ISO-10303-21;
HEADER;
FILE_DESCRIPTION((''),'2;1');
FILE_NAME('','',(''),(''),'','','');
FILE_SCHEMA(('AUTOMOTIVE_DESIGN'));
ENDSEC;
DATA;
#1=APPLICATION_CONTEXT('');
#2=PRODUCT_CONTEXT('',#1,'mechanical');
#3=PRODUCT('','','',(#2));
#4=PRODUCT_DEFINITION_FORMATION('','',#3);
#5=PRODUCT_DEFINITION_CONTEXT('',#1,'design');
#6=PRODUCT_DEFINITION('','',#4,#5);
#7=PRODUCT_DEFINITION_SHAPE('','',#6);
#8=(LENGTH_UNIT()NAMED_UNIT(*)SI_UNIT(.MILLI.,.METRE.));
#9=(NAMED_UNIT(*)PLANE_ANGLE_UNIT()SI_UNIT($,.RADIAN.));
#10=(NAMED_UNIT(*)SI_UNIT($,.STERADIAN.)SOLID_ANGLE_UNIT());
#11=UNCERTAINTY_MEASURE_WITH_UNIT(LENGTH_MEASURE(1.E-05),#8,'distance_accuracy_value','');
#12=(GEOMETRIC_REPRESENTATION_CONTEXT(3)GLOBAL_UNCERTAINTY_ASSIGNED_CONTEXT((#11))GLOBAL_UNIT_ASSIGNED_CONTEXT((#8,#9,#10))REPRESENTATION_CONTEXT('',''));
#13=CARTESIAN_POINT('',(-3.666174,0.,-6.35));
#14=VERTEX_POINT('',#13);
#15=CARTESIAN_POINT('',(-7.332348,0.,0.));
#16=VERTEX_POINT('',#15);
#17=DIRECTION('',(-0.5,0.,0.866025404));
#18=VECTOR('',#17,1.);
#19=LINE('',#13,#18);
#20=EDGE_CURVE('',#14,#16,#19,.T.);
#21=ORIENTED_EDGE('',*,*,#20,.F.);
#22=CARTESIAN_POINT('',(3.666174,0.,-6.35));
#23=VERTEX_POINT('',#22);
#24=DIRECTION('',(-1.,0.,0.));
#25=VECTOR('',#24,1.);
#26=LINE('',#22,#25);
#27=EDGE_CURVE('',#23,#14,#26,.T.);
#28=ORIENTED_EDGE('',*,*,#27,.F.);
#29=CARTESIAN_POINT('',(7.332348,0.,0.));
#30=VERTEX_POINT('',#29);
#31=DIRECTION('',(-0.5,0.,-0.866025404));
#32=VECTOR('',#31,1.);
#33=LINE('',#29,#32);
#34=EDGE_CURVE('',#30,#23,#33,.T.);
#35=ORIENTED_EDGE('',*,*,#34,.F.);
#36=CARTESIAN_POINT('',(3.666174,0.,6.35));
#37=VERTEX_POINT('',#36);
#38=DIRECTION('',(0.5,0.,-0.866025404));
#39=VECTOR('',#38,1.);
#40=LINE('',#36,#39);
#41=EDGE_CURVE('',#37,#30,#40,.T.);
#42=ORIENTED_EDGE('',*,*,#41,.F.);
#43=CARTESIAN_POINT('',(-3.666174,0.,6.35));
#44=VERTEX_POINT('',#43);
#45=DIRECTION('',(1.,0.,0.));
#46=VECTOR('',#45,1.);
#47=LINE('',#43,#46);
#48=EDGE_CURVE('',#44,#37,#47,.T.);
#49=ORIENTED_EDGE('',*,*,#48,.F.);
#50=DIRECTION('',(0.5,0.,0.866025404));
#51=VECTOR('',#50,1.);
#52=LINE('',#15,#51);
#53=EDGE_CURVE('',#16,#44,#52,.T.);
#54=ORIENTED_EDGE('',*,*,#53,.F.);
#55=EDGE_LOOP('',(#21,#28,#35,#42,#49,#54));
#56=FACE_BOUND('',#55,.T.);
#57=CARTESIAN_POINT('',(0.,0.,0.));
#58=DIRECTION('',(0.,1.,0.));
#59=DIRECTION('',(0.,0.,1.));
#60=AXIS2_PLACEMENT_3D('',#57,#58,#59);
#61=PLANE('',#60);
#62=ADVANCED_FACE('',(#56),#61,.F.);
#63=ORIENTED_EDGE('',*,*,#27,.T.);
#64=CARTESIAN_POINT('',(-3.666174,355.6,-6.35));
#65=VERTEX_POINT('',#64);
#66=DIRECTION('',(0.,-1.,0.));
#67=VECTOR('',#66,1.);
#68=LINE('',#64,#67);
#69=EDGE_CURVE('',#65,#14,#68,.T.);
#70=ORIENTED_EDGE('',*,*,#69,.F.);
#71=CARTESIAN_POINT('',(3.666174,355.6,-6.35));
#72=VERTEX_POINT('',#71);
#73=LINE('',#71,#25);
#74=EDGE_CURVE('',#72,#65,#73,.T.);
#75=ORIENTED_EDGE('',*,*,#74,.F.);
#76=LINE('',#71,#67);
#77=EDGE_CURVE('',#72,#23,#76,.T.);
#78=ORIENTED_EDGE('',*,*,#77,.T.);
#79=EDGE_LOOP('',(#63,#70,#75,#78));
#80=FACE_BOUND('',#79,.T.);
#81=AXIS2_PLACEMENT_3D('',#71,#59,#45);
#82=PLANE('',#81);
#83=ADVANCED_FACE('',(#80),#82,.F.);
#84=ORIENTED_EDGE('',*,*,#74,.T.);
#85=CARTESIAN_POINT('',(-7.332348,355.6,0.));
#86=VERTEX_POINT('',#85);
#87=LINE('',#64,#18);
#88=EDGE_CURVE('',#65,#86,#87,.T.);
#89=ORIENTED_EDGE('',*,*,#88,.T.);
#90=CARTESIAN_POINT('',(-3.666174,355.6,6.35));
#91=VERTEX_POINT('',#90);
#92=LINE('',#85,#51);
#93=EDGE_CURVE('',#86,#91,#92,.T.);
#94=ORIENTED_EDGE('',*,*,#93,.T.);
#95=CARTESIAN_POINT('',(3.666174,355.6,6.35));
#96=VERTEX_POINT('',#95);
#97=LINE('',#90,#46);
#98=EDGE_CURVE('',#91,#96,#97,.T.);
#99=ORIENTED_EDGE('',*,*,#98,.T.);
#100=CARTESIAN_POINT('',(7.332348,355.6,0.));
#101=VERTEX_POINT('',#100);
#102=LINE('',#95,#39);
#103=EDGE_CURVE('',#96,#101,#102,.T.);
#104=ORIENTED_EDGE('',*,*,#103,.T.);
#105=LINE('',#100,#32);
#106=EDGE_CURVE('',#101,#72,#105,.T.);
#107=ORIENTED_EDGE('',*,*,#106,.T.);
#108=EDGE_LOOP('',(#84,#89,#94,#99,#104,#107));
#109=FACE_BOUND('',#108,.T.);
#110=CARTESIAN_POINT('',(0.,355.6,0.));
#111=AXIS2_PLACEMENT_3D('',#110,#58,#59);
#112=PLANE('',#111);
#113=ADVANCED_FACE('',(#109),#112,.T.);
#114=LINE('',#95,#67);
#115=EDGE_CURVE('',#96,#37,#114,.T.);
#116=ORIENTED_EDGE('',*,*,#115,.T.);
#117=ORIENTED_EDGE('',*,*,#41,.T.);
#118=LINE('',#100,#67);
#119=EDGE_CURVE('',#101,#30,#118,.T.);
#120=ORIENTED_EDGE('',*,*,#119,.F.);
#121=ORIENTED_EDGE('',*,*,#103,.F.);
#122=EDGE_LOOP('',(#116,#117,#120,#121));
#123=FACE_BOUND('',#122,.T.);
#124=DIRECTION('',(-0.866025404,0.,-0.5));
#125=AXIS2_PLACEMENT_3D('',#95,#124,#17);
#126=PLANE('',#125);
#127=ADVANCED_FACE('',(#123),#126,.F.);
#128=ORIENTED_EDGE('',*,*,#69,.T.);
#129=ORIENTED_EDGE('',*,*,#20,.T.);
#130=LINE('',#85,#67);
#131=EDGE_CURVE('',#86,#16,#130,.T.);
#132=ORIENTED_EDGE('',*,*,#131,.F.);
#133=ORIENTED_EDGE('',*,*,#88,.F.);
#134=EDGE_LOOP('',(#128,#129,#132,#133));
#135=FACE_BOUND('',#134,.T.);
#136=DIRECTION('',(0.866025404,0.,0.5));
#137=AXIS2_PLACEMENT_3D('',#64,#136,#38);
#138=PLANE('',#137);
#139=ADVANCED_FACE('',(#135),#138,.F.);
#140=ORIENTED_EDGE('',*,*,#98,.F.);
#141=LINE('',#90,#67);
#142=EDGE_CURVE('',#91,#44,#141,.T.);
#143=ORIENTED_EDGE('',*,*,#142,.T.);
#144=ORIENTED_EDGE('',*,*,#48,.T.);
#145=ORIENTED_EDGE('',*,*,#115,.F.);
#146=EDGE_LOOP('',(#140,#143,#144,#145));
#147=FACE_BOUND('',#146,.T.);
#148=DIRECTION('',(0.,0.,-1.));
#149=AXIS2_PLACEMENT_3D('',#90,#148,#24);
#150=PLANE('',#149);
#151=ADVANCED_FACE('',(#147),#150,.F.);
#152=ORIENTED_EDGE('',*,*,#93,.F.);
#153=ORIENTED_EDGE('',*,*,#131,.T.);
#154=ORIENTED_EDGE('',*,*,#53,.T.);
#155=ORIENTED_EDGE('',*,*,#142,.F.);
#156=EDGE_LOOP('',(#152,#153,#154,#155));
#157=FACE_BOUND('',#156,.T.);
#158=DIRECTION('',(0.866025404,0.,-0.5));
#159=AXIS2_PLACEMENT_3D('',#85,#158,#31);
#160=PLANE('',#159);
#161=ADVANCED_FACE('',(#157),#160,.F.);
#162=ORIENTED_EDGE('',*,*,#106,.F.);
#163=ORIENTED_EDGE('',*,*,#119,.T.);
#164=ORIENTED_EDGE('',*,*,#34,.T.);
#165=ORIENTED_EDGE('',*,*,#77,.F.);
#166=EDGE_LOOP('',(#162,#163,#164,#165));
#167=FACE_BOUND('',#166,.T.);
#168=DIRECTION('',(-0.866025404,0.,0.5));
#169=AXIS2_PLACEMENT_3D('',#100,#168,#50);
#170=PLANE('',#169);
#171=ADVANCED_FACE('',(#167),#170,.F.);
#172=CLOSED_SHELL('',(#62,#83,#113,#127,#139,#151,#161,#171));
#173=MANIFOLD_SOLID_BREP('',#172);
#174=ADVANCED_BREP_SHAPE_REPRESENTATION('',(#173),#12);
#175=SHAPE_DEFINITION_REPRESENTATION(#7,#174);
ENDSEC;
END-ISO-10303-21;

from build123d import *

# Parameters (mm, degrees)
BOSS_EXTRUDE1_DEPTH = 355.6


with BuildPart() as part:
    # Sketch1 → Boss-Extrude1 (new body)
    with BuildSketch(Plane(origin=(0, 0, 0), x_dir=(1, 0, 0), z_dir=(0, 1, 0))):
        Polygon((3.666174209, 6.35), (-3.666174209, 6.35), (-7.332348419, 0), (-3.666174209, -6.35), (3.666174209, -6.35), (7.332348419, 0), align=None)
    extrude(amount=BOSS_EXTRUDE1_DEPTH)


solid = part.part
